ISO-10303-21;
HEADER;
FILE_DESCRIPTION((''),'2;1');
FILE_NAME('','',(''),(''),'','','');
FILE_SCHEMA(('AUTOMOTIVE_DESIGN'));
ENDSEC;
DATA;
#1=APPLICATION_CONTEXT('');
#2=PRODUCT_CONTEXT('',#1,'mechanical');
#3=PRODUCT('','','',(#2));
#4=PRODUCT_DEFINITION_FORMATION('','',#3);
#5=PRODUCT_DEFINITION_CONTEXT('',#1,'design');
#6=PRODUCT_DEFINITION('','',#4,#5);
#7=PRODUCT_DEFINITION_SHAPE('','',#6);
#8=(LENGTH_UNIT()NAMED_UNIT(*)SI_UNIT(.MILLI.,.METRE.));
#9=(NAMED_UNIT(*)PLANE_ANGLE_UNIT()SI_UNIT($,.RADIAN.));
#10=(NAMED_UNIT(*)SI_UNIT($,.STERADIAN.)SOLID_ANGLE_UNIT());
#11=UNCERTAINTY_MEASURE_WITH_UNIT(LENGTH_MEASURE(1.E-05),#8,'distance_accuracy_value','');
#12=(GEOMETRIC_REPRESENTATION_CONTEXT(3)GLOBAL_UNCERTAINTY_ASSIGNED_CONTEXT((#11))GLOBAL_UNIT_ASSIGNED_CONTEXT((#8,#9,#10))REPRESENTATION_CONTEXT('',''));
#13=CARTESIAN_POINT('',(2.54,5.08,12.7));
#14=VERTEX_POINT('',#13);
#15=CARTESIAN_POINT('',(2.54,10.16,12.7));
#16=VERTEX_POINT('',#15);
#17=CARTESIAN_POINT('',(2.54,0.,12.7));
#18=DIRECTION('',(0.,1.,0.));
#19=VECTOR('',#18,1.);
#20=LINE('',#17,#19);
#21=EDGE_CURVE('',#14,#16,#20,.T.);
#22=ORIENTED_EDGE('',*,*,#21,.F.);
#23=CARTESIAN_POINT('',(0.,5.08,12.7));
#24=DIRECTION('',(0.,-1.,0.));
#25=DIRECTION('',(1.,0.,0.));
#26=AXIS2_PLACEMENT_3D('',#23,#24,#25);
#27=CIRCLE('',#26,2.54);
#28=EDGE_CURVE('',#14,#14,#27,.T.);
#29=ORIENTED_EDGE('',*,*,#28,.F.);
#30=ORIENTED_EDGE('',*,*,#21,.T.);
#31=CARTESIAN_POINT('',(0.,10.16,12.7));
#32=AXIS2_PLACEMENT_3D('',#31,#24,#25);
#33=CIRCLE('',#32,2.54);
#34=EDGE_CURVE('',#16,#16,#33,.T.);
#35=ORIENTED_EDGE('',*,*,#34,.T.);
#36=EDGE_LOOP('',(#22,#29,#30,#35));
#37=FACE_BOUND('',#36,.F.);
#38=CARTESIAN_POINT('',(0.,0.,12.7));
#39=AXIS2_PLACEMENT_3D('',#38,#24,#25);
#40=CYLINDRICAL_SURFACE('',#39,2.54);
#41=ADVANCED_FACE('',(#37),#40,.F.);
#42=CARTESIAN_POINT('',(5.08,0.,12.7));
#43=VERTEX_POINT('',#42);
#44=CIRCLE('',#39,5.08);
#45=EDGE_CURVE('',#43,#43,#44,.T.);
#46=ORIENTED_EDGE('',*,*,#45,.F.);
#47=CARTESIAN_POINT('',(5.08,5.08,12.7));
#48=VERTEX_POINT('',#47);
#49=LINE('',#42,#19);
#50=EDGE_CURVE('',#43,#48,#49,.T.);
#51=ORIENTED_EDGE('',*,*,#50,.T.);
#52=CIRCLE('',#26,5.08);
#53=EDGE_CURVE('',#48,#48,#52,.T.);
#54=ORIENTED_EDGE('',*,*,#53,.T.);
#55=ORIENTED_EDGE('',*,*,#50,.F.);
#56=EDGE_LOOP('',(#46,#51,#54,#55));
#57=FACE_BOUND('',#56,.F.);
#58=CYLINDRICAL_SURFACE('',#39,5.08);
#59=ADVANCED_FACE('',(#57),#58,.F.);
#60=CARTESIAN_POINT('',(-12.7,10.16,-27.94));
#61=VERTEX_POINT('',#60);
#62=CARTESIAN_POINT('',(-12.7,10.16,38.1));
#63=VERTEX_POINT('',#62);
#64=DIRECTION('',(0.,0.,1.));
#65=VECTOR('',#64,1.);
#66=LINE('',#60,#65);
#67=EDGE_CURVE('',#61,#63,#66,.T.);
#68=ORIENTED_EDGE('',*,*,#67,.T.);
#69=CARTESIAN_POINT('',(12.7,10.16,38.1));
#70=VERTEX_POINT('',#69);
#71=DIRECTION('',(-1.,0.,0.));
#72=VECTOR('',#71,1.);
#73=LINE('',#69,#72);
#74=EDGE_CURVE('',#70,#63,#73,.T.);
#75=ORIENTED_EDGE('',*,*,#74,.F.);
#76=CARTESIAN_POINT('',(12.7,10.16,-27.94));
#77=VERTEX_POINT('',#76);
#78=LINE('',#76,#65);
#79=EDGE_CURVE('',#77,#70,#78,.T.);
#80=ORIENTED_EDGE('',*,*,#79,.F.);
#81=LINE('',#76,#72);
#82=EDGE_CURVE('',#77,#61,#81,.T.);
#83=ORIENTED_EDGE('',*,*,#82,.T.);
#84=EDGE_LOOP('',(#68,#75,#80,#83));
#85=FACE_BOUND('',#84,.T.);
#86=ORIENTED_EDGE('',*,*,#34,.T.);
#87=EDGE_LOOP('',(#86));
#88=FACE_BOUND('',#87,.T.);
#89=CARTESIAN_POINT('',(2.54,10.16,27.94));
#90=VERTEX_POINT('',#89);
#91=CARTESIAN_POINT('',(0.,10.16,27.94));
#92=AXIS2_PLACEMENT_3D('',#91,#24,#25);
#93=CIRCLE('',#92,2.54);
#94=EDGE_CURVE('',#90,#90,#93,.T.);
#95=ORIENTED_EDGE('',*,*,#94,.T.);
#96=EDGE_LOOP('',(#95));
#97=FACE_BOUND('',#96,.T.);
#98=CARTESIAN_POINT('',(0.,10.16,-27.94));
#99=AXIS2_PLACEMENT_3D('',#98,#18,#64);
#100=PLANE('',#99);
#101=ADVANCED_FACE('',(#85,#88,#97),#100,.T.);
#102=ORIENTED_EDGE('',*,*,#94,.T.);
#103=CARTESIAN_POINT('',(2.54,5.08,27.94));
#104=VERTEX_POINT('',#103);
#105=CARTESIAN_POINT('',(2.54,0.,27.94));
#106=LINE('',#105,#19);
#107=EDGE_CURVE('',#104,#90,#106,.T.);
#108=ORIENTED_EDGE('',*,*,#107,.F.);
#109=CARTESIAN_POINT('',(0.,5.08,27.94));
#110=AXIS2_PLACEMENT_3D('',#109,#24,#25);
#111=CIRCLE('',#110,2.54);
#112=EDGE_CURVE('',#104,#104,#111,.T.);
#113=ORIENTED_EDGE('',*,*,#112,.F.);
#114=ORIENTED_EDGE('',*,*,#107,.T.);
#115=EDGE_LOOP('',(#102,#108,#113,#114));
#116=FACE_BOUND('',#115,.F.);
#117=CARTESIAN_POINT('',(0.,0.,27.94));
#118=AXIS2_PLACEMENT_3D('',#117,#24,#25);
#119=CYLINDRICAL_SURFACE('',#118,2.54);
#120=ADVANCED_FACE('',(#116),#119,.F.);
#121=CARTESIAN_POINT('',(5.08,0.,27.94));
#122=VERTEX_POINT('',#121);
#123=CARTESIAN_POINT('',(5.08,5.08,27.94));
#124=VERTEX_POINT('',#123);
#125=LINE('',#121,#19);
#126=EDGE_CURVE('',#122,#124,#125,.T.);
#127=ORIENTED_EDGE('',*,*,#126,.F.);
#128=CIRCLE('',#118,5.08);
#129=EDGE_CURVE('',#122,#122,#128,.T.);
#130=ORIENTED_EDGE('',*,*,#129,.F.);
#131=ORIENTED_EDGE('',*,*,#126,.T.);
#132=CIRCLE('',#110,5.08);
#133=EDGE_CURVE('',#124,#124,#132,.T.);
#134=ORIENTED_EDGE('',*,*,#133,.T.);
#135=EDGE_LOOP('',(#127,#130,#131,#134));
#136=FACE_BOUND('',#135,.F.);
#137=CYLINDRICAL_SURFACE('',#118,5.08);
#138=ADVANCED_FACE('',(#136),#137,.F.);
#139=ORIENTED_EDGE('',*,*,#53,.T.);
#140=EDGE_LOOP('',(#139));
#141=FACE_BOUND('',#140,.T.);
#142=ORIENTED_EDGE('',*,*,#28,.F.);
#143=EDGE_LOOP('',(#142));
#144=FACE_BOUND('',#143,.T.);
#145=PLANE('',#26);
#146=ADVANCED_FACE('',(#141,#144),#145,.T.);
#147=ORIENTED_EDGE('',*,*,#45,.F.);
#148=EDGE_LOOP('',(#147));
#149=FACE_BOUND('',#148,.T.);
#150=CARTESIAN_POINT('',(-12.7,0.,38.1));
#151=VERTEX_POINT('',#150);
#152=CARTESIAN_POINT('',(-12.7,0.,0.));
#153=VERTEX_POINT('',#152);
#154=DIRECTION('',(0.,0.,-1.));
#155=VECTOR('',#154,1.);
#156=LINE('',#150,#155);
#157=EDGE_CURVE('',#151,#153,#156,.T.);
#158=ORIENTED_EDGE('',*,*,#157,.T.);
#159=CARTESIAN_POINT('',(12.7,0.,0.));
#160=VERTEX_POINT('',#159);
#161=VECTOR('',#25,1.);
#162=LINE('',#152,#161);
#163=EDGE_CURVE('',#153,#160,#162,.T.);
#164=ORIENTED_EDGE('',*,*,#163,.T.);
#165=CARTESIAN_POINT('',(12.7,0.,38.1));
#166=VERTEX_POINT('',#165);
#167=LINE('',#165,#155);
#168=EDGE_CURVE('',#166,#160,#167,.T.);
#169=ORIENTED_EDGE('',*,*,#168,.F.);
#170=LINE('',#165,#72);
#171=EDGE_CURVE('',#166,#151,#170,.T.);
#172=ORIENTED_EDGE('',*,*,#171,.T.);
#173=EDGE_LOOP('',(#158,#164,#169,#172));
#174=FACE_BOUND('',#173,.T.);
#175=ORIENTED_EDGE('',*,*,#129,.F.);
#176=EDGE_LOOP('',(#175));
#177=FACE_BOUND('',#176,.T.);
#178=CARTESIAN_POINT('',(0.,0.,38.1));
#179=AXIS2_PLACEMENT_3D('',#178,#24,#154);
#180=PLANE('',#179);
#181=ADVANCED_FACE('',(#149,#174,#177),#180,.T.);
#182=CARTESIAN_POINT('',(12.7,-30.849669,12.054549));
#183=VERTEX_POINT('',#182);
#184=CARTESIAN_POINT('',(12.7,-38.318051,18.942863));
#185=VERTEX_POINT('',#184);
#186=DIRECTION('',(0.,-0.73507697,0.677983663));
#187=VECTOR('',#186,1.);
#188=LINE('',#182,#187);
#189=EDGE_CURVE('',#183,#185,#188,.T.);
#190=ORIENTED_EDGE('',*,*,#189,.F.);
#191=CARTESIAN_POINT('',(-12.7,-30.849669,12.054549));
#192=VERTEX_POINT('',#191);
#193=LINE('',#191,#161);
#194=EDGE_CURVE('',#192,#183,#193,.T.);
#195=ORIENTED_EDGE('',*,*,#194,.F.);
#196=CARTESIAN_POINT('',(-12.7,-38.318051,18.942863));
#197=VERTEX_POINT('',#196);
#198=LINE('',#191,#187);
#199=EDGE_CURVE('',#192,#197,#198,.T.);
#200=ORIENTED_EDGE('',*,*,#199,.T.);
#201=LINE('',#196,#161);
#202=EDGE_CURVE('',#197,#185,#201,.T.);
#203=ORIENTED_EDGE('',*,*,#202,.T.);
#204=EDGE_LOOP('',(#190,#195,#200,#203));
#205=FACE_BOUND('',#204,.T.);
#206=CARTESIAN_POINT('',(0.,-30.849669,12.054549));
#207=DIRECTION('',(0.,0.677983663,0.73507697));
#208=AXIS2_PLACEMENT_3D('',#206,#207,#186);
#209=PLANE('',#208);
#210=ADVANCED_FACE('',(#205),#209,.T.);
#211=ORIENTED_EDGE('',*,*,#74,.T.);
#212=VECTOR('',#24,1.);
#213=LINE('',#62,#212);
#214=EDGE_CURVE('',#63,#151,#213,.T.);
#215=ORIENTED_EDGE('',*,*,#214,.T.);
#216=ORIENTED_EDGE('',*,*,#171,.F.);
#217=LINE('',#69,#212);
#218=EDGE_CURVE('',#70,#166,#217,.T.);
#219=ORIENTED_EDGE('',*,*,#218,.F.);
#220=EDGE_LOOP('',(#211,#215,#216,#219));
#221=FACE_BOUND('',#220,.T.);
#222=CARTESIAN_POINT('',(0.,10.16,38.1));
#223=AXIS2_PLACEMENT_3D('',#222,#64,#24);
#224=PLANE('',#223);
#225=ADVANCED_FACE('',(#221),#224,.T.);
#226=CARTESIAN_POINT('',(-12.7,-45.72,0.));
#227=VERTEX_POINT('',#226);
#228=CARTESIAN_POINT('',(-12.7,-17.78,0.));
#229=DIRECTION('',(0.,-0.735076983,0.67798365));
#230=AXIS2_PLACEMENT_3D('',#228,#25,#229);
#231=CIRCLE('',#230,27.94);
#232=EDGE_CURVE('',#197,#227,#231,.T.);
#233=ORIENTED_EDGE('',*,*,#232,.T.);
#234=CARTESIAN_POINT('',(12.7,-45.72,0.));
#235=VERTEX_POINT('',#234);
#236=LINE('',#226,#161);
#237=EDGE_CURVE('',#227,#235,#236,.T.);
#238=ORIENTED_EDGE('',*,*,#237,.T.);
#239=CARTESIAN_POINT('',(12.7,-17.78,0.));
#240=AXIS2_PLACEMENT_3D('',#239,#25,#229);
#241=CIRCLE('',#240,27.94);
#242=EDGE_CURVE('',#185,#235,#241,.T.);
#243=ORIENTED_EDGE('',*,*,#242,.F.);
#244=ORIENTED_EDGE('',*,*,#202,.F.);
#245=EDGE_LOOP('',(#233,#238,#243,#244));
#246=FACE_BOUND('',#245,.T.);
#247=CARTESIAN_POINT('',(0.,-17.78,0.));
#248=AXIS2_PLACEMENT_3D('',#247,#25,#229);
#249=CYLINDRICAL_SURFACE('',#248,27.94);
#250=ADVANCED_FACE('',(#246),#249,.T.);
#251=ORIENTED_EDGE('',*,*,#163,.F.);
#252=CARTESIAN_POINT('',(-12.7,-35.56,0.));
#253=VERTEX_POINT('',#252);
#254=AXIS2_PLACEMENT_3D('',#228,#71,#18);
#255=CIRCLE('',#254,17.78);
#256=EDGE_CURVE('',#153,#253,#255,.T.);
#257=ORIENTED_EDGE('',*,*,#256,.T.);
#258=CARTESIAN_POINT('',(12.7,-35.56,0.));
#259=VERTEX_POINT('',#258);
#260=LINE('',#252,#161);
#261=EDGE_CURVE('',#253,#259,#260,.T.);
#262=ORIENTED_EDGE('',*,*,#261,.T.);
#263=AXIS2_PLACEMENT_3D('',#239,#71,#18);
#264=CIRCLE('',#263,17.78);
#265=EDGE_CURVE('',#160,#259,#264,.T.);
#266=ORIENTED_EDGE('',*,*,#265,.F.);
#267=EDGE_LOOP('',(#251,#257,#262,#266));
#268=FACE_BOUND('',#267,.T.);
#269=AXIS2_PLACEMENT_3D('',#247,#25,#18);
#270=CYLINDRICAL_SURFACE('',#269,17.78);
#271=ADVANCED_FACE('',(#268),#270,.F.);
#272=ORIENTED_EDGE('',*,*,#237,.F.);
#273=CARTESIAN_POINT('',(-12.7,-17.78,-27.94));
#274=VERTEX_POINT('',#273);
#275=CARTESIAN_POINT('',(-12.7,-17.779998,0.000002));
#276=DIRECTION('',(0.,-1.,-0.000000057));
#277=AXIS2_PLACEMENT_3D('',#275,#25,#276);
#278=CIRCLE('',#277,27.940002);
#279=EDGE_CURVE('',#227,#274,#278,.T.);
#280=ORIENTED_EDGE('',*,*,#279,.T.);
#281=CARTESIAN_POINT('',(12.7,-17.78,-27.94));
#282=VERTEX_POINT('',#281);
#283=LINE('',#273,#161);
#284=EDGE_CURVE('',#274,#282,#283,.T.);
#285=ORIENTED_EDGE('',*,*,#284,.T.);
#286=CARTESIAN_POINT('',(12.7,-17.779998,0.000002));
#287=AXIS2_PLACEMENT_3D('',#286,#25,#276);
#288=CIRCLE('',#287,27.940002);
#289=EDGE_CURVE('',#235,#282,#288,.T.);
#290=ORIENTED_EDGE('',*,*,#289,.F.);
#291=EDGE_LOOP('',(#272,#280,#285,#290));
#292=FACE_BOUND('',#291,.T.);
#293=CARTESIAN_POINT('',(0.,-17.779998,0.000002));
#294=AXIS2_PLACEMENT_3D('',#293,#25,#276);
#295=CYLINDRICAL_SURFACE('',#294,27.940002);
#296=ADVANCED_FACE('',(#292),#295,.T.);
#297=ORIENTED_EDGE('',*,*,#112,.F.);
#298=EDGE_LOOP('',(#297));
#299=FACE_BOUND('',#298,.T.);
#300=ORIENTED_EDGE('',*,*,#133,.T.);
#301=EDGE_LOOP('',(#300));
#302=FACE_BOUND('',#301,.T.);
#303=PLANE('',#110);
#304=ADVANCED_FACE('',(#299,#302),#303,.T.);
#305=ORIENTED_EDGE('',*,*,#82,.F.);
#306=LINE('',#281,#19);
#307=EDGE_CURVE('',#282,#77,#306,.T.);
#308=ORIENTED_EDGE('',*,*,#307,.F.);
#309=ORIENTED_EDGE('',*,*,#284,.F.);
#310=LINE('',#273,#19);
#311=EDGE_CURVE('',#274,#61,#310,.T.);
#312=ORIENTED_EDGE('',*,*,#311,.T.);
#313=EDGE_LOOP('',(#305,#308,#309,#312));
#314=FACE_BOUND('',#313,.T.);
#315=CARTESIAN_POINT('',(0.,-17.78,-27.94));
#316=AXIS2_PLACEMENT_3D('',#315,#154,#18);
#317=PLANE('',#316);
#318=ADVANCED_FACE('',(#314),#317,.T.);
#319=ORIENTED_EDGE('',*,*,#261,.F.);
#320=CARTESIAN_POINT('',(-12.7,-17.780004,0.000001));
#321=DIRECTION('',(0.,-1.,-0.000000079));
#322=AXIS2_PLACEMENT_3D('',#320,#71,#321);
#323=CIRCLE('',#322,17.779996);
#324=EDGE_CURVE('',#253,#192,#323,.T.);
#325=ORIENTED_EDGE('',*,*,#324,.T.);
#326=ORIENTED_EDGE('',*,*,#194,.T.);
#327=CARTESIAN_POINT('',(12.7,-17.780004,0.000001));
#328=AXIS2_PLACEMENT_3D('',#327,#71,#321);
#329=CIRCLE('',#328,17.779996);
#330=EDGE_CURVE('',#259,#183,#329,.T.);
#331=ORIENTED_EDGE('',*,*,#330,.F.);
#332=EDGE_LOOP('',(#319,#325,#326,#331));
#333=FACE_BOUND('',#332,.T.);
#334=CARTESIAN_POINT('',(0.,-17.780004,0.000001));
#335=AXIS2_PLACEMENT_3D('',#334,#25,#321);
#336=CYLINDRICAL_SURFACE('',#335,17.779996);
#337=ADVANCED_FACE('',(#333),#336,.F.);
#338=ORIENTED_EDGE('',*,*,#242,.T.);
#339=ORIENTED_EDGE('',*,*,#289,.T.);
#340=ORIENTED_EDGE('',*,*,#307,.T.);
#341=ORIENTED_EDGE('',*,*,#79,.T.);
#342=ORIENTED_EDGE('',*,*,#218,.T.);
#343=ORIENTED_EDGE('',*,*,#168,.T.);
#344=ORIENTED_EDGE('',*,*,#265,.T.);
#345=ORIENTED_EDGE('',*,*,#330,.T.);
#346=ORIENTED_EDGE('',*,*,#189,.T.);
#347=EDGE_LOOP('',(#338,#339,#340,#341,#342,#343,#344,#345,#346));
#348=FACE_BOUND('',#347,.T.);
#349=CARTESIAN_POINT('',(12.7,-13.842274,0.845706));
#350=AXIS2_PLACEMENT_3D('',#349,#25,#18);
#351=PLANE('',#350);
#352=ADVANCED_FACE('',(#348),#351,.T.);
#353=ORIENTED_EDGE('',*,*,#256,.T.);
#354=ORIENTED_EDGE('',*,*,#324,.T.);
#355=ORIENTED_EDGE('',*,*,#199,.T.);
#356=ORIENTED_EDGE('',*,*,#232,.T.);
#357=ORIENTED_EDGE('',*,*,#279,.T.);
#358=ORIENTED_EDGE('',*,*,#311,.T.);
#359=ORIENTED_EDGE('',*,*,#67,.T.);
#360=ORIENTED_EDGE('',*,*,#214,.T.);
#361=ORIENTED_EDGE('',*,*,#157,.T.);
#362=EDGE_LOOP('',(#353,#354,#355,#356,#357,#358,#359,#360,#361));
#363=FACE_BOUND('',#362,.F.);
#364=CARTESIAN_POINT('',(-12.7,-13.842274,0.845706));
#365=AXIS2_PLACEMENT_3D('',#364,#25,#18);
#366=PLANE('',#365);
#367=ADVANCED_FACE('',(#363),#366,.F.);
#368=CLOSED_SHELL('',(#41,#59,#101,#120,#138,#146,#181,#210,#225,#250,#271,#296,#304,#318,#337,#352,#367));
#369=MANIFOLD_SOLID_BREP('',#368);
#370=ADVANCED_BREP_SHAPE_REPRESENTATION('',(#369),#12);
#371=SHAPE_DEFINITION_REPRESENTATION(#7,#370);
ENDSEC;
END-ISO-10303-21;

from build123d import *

# Parameters (mm, degrees)
F1_DEPTH = 12.7
F2_R     = 2.54
F3_DEPTH = 10.161
F2_R_2   = 5.08
F4_DEPTH = 5.08


with BuildPart() as f1:
    # F0 (on Right) → F1 (new body, symmetric)
    with BuildSketch(Plane.YZ):
        with BuildLine():
            Line((0, 38.1), (0, 0))
            ThreePointArc((0, 0), (-17.78, -17.78), (-35.56, 0))
            ThreePointArc((-35.56, 0), (-34.340603, 6.471077), (-30.849669, 12.054549))
            Line((-30.849669, 12.054549), (-38.318051, 18.942863))
            ThreePointArc((-38.318051, 18.942863), (-43.803804, 10.168836), (-45.72, 0))
            ThreePointArc((-45.72, 0), (-37.536563, -19.756563), (-17.78, -27.94))
            ThreePointArc((-17.78, -27.94), (1.976563, -19.756563), (10.16, 0))
            Line((10.16, 0), (10.16, 38.1))
            Line((10.16, 38.1), (0, 38.1))
        make_face()
        with BuildLine():
            Line((10.16, -27.94), (10.16, 0))
            ThreePointArc((10.16, 0), (1.976563, -19.756563), (-17.78, -27.94))
            Line((-17.78, -27.94), (10.16, -27.94))
        make_face()
    extrude(amount=F1_DEPTH, both=True)

    # F2 (on face) → F3 (cut, through all)
    with BuildSketch(Plane.XZ):
        with Locations((0, 27.94)):
            Circle(F2_R)
        with Locations((0, 12.7)):
            Circle(F2_R)
    extrude(amount=-F3_DEPTH, mode=Mode.SUBTRACT)

    # F2 (on face) → F4 (cut)
    with BuildSketch(Plane.XZ):
        with Locations((0, 27.94)):
            Circle(F2_R_2)
        with Locations((0, 27.94)):
            Circle(F2_R, mode=Mode.SUBTRACT)
        with Locations((0, 12.7)):
            Circle(F2_R_2)
        with Locations((0, 12.7)):
            Circle(F2_R, mode=Mode.SUBTRACT)
    extrude(amount=-F4_DEPTH, mode=Mode.SUBTRACT)


solid = f1.part
